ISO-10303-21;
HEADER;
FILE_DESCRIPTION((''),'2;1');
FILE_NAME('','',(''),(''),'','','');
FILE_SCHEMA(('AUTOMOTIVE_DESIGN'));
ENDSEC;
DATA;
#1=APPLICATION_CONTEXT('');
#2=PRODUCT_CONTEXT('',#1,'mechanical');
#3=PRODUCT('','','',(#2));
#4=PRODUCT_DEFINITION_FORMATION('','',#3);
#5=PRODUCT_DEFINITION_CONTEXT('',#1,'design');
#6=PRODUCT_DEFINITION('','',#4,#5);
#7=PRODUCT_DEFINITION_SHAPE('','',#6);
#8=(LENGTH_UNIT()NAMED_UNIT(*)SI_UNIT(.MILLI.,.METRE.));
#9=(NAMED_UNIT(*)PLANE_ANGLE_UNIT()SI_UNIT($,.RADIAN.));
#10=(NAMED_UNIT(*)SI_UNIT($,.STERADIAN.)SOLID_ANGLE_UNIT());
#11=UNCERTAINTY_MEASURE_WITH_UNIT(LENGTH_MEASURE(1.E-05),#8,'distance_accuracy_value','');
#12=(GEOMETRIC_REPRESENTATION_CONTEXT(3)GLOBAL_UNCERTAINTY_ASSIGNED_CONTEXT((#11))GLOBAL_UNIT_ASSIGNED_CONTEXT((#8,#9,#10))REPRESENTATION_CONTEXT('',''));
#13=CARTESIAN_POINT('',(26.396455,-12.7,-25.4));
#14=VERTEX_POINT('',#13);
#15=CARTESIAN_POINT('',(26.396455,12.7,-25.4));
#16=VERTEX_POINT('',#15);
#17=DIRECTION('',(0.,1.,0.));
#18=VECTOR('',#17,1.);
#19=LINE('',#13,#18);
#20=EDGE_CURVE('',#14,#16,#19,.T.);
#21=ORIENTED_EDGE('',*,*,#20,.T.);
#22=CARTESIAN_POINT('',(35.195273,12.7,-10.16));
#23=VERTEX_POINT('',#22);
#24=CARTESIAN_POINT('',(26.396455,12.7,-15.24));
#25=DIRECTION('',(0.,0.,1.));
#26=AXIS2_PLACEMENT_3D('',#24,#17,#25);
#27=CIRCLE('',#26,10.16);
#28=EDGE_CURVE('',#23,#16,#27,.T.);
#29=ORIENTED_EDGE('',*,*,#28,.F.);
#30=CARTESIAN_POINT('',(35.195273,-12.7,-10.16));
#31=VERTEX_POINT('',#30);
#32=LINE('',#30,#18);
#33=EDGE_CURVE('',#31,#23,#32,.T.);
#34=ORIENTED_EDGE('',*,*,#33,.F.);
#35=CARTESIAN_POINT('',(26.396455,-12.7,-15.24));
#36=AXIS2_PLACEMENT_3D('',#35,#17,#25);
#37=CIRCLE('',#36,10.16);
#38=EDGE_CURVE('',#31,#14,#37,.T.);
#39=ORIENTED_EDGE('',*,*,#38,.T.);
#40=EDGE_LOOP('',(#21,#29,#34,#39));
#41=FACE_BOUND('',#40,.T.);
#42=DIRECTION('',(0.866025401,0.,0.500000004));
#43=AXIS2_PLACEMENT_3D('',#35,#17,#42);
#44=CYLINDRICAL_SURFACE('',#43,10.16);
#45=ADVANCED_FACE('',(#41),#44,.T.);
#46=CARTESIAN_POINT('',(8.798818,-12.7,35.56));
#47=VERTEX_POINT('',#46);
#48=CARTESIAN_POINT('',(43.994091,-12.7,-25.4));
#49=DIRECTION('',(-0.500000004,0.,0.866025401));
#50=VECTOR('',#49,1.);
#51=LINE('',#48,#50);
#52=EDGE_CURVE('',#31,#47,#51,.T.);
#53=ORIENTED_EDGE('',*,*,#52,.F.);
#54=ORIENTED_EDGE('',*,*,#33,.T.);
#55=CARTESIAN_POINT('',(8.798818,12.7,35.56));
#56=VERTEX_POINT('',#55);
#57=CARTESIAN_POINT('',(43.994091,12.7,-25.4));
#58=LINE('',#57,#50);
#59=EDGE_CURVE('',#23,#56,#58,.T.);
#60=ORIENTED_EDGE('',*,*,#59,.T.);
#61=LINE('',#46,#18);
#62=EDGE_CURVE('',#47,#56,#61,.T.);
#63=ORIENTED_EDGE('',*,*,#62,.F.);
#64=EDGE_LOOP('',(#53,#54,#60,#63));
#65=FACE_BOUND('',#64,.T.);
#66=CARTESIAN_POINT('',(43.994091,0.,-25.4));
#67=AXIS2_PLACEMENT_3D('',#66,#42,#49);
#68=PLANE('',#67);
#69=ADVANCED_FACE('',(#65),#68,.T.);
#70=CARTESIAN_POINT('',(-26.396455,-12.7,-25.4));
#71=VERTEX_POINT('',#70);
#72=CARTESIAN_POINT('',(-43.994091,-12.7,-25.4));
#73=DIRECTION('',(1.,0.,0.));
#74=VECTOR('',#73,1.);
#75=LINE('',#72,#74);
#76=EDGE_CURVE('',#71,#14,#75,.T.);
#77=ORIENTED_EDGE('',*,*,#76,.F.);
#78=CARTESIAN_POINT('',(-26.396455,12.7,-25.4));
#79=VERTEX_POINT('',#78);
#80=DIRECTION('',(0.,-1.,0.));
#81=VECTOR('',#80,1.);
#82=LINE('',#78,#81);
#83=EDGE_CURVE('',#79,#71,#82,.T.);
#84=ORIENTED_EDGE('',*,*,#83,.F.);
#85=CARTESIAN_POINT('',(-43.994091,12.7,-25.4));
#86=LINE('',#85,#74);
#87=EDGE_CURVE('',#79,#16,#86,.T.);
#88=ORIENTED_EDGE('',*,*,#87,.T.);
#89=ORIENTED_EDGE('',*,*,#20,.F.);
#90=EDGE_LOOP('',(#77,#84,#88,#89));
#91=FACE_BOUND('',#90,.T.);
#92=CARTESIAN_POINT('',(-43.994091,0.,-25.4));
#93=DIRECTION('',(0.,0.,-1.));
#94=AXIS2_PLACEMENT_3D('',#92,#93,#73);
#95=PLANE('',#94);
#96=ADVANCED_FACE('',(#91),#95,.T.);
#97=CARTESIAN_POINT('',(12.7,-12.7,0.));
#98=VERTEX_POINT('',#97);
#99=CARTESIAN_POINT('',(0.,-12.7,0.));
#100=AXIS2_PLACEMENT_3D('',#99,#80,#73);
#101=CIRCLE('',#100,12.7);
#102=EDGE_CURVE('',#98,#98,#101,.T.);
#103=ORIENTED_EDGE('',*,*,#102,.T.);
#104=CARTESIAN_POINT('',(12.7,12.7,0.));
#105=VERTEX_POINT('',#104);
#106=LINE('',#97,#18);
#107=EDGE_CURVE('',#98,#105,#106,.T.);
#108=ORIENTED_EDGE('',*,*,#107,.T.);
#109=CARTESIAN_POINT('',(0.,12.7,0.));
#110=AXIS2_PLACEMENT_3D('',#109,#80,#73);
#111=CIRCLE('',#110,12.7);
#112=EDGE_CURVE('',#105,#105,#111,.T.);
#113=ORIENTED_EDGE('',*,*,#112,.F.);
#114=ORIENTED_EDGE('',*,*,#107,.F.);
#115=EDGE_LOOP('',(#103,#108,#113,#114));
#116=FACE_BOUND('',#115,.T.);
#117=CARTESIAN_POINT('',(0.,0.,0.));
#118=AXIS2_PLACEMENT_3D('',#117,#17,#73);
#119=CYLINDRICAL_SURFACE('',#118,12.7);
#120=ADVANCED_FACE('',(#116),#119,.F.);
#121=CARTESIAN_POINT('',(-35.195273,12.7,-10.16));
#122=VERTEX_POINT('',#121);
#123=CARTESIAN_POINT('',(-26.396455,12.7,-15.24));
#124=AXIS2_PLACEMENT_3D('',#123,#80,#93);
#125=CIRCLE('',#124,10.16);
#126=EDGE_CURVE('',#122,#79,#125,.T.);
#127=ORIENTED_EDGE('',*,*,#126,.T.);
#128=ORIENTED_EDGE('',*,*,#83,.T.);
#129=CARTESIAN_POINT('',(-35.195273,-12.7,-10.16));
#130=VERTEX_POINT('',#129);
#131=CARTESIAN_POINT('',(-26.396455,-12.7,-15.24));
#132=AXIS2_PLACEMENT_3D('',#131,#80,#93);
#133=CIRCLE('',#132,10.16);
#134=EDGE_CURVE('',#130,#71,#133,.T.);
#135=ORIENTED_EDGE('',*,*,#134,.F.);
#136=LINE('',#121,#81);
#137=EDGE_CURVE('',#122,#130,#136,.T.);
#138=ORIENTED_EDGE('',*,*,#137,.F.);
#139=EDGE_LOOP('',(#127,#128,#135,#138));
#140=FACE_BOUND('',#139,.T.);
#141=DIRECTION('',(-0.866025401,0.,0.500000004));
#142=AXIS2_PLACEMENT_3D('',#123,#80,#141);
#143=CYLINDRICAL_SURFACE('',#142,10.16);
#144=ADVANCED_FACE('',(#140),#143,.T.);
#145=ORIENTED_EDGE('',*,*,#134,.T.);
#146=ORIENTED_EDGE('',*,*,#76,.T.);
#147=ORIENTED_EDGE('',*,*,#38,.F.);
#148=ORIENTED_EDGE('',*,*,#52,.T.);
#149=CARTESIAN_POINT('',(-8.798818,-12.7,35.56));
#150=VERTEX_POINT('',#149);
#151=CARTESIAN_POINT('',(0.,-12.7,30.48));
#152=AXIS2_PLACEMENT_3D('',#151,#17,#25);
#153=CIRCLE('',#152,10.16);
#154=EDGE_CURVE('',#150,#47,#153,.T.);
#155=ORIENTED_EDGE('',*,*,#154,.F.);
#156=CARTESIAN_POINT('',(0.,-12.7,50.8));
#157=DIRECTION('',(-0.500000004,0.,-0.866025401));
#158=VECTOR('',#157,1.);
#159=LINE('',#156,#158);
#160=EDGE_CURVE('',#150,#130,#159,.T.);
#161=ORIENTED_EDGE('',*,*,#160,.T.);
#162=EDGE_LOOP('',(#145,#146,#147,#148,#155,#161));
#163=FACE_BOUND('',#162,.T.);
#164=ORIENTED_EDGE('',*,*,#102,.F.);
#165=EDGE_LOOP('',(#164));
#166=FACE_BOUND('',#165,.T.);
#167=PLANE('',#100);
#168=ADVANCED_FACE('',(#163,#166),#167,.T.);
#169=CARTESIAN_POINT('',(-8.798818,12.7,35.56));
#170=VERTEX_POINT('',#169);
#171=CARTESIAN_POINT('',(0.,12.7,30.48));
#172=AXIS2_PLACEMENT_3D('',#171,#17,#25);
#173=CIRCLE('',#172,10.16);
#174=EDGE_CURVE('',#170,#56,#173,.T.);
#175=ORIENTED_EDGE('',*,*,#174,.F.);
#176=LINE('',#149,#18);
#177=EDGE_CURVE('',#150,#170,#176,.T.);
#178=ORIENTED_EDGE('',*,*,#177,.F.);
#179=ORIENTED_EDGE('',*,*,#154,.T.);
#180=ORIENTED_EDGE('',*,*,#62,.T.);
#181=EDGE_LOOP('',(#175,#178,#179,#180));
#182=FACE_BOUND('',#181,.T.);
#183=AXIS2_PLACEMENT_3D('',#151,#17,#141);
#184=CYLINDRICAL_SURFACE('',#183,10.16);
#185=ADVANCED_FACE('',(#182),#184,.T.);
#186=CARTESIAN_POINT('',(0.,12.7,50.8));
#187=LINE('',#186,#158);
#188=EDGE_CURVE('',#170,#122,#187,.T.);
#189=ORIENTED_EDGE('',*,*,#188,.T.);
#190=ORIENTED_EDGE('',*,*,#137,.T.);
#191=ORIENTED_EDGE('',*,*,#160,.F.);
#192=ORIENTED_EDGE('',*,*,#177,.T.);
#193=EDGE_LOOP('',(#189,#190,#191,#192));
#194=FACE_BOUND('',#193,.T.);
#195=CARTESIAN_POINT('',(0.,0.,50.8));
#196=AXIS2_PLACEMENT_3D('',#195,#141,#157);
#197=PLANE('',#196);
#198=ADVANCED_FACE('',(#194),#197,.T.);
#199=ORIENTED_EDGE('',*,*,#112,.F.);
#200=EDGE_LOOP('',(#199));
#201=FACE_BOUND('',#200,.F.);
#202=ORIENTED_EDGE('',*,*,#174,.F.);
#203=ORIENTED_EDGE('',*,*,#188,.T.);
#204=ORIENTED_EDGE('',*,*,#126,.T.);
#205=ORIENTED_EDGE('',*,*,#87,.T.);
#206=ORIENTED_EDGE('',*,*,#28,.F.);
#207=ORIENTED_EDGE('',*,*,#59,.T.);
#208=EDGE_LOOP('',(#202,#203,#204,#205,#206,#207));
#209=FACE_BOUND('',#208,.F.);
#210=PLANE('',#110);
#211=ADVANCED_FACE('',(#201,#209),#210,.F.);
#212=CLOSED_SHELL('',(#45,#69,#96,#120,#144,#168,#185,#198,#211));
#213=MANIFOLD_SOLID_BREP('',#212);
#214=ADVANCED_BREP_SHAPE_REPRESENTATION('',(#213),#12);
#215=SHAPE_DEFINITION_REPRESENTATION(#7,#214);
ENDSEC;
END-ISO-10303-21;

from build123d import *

# Parameters (mm, degrees)
F0_R     = 12.7
F1_DEPTH = 12.7
F2_R     = 10.16


with BuildPart() as f1:
    # F0 (on Front) → F1 (new body, symmetric)
    with BuildSketch(Plane.XZ):
        Polygon((0, 50.8), (-43.994091, -25.4), (43.994091, -25.4), align=None)
        Circle(F0_R, mode=Mode.SUBTRACT)
    extrude(amount=F1_DEPTH, both=True)

    # F2
    f2_edges = [f1.edges().sort_by_distance(p)[0] for p in [
        (-43.994091, 0, -25.4),
        (43.994091, 0, -25.4),
        (0, 0, 50.8),
    ]]
    fillet(f2_edges, radius=F2_R)


solid = f1.part
